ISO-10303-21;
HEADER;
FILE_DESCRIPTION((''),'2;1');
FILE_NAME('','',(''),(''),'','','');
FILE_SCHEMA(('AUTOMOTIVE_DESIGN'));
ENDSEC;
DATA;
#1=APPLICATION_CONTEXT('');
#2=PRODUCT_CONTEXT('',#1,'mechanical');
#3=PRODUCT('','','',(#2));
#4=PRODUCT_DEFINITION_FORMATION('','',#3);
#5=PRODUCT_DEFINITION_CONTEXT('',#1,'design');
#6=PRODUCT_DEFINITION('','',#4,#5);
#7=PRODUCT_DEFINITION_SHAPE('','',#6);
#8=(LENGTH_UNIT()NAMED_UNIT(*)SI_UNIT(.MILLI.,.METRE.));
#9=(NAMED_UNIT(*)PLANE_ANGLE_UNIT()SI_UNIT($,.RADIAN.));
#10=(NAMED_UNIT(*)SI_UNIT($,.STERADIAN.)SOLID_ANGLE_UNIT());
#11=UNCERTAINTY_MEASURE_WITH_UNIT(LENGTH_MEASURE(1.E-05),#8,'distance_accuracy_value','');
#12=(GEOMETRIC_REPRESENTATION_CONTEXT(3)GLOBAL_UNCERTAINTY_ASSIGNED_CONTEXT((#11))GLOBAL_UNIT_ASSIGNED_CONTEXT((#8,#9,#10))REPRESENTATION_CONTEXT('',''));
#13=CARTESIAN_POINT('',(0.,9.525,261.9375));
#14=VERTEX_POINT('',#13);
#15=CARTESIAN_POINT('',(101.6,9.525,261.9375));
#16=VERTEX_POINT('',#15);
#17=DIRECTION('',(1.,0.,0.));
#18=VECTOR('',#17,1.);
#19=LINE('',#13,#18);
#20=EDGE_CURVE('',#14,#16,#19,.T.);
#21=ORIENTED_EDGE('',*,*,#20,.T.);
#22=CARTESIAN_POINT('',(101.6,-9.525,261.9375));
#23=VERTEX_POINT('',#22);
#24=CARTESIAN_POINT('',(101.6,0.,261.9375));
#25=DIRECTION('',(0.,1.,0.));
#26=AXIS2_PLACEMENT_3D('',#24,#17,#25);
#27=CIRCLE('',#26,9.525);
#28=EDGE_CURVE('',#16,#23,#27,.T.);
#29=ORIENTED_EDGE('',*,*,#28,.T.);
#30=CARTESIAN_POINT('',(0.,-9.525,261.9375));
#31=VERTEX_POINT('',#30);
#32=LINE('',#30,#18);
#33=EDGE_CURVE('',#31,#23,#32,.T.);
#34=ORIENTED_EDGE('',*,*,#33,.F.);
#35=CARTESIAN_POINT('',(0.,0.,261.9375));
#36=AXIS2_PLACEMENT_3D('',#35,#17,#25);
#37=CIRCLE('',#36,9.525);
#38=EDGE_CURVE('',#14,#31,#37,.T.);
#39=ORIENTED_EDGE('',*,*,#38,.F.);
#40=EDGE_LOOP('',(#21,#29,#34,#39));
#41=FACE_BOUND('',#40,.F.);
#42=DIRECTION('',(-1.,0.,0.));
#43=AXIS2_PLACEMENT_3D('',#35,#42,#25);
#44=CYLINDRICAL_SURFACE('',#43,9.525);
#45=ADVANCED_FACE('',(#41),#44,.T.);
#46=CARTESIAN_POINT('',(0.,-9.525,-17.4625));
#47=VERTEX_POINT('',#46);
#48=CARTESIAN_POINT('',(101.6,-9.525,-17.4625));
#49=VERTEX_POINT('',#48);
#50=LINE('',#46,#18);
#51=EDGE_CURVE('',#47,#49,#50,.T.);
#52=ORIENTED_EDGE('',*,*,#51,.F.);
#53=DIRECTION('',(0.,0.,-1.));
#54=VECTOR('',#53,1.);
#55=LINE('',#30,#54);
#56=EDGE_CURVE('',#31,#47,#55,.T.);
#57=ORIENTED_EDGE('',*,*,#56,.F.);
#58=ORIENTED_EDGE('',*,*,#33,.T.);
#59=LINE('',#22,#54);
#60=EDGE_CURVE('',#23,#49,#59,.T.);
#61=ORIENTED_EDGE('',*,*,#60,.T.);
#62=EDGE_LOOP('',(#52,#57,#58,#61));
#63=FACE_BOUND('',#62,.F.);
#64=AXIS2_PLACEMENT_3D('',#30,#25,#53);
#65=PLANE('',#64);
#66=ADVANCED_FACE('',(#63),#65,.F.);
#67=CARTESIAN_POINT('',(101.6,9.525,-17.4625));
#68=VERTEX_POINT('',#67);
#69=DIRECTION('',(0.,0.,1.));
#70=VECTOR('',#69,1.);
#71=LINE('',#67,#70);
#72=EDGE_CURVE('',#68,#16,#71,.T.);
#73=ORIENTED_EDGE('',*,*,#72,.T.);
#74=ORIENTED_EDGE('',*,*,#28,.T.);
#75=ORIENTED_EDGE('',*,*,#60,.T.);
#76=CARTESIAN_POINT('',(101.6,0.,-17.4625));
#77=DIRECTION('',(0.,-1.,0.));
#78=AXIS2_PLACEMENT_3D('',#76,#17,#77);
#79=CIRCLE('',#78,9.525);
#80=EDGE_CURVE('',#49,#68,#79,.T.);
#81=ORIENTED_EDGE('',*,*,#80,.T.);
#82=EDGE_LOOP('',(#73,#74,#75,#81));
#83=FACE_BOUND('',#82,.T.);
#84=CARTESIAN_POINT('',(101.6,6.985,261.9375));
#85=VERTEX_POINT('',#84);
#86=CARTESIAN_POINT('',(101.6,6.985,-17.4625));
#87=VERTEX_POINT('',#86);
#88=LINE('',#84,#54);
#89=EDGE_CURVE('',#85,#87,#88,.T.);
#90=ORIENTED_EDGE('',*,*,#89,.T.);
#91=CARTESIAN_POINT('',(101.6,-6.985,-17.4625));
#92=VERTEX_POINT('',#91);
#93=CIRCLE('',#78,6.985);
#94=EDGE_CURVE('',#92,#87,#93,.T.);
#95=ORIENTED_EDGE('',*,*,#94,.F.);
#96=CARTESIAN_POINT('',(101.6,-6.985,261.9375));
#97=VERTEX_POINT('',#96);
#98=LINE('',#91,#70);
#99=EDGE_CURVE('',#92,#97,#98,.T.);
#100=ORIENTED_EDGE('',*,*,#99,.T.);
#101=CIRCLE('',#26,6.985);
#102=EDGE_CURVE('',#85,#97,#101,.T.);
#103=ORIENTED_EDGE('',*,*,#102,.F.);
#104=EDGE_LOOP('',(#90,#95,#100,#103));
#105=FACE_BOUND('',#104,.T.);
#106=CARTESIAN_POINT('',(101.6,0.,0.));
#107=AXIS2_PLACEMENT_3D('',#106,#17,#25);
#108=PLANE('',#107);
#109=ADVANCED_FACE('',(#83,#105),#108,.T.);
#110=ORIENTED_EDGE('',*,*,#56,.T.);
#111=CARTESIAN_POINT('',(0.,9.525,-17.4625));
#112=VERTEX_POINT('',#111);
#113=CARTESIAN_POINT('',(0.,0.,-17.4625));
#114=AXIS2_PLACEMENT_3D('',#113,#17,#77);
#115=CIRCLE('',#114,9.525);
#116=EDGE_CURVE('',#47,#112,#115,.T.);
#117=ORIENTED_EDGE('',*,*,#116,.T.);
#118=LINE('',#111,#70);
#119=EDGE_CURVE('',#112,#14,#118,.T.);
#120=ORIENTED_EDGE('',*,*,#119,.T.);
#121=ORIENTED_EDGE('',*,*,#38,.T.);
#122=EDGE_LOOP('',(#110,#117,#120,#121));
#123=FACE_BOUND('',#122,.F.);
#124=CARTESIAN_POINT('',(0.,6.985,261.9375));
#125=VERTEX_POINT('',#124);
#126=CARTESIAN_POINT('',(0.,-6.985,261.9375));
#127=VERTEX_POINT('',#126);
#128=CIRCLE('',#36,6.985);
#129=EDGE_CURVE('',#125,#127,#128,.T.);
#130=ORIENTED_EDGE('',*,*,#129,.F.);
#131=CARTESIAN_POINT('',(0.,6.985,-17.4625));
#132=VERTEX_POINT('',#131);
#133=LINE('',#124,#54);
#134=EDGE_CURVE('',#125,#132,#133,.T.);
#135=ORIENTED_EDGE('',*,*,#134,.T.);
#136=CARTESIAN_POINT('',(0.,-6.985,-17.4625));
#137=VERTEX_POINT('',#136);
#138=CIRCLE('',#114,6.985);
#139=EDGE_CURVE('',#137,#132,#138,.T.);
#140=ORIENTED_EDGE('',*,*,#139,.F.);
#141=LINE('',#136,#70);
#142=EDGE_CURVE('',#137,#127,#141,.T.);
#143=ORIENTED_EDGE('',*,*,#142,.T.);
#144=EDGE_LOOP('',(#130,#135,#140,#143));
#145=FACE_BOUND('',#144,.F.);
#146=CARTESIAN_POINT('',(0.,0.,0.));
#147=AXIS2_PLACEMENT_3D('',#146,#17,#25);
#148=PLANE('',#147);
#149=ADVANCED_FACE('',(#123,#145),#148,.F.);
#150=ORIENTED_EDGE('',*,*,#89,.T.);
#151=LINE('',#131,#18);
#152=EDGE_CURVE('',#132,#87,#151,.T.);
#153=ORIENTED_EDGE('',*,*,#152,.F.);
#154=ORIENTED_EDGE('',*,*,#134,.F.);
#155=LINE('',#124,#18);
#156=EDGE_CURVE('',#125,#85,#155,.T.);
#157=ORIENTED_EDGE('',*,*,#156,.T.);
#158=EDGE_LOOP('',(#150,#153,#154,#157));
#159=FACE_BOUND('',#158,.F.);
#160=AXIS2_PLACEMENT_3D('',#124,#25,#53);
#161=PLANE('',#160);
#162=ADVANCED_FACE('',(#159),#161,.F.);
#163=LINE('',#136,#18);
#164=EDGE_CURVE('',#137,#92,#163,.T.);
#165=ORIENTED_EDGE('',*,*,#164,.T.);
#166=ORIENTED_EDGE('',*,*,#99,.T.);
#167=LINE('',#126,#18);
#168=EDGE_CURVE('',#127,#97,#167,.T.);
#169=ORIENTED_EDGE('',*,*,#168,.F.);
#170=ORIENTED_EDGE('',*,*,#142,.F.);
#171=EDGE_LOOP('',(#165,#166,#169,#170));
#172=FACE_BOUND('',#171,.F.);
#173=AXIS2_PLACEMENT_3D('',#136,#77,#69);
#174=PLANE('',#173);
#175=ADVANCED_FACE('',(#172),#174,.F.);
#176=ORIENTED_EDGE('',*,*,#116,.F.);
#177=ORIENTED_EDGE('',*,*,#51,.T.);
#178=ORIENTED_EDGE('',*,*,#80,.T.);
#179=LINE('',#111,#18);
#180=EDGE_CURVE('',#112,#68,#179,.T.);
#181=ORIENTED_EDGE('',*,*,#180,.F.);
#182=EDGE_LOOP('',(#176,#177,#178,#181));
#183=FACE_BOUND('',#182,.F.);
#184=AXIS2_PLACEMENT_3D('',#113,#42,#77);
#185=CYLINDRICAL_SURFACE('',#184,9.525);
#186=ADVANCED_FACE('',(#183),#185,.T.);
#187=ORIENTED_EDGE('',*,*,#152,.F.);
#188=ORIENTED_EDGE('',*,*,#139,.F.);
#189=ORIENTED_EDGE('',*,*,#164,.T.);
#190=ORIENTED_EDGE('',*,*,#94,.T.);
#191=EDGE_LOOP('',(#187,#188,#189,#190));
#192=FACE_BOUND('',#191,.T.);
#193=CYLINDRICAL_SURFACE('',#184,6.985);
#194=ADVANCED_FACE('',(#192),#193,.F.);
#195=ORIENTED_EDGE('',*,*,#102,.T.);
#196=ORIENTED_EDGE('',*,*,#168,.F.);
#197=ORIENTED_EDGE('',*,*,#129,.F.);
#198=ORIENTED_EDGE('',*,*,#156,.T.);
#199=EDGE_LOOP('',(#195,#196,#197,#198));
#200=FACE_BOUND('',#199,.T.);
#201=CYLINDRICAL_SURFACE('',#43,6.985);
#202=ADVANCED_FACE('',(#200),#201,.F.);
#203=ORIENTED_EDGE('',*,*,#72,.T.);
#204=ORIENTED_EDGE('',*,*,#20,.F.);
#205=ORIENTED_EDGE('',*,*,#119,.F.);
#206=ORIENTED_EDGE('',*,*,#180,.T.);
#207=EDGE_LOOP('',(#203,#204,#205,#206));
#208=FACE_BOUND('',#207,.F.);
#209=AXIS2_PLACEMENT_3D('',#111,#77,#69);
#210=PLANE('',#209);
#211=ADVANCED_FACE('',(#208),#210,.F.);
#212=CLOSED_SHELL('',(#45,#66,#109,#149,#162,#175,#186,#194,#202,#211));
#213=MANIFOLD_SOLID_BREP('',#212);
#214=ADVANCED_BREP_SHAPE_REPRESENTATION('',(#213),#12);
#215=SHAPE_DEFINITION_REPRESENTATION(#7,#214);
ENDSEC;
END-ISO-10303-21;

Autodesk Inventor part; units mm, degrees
ref_plane "YZ Plane" through (0, 0, 0) normal (1, 0, 0) x (0, 1, 0)
ref_plane "XZ Plane" through (0, 0, 0) normal (0, 1, 0) x (-1, 0, 0)
ref_plane "XY Plane" through (0, 0, 0) normal (0, 0, 1) x (1, 0, 0)
sketch "Sketch1" plane through (0, 0, 0) normal (1, 0, 0) x (0, 1, 0)
  arc A0 (-9.525, -17.4625) -> (9.525, -17.4625) centre (0, -17.4625) ccw
  line L0 (9.525, -17.4625) -> (9.525, 261.9375)
  arc A1 (9.525, 261.9375) -> (-9.525, 261.9375) centre (0, 261.9375) ccw
  line L1 (-9.525, 261.9375) -> (-9.525, -17.4625)
  arc A2 (-6.985, -17.4625) -> (6.985, -17.4625) centre (0, -17.4625) ccw
  arc A3 (6.985, 261.9375) -> (-6.985, 261.9375) centre (0, 261.9375) ccw
  line L2 (6.985, 261.9375) -> (6.985, -17.4625)
  line L3 (-6.985, -17.4625) -> (-6.985, 261.9375)
  point P0 (0, 0)
  dimension "d0" = 9.525
  dimension "d1" = 279.4
  dimension "d2" = 6.985
  dimension "d3" = 6.985
extrude "Extrusion1" add sketch "Sketch1" along normal blind 101.6
sketch "Sketch2" plane through (101.6, 0, 0) normal (1, 0, 0) x (0, 0, -1)
  point P0 (0, 0)
properties part number "BELT"
